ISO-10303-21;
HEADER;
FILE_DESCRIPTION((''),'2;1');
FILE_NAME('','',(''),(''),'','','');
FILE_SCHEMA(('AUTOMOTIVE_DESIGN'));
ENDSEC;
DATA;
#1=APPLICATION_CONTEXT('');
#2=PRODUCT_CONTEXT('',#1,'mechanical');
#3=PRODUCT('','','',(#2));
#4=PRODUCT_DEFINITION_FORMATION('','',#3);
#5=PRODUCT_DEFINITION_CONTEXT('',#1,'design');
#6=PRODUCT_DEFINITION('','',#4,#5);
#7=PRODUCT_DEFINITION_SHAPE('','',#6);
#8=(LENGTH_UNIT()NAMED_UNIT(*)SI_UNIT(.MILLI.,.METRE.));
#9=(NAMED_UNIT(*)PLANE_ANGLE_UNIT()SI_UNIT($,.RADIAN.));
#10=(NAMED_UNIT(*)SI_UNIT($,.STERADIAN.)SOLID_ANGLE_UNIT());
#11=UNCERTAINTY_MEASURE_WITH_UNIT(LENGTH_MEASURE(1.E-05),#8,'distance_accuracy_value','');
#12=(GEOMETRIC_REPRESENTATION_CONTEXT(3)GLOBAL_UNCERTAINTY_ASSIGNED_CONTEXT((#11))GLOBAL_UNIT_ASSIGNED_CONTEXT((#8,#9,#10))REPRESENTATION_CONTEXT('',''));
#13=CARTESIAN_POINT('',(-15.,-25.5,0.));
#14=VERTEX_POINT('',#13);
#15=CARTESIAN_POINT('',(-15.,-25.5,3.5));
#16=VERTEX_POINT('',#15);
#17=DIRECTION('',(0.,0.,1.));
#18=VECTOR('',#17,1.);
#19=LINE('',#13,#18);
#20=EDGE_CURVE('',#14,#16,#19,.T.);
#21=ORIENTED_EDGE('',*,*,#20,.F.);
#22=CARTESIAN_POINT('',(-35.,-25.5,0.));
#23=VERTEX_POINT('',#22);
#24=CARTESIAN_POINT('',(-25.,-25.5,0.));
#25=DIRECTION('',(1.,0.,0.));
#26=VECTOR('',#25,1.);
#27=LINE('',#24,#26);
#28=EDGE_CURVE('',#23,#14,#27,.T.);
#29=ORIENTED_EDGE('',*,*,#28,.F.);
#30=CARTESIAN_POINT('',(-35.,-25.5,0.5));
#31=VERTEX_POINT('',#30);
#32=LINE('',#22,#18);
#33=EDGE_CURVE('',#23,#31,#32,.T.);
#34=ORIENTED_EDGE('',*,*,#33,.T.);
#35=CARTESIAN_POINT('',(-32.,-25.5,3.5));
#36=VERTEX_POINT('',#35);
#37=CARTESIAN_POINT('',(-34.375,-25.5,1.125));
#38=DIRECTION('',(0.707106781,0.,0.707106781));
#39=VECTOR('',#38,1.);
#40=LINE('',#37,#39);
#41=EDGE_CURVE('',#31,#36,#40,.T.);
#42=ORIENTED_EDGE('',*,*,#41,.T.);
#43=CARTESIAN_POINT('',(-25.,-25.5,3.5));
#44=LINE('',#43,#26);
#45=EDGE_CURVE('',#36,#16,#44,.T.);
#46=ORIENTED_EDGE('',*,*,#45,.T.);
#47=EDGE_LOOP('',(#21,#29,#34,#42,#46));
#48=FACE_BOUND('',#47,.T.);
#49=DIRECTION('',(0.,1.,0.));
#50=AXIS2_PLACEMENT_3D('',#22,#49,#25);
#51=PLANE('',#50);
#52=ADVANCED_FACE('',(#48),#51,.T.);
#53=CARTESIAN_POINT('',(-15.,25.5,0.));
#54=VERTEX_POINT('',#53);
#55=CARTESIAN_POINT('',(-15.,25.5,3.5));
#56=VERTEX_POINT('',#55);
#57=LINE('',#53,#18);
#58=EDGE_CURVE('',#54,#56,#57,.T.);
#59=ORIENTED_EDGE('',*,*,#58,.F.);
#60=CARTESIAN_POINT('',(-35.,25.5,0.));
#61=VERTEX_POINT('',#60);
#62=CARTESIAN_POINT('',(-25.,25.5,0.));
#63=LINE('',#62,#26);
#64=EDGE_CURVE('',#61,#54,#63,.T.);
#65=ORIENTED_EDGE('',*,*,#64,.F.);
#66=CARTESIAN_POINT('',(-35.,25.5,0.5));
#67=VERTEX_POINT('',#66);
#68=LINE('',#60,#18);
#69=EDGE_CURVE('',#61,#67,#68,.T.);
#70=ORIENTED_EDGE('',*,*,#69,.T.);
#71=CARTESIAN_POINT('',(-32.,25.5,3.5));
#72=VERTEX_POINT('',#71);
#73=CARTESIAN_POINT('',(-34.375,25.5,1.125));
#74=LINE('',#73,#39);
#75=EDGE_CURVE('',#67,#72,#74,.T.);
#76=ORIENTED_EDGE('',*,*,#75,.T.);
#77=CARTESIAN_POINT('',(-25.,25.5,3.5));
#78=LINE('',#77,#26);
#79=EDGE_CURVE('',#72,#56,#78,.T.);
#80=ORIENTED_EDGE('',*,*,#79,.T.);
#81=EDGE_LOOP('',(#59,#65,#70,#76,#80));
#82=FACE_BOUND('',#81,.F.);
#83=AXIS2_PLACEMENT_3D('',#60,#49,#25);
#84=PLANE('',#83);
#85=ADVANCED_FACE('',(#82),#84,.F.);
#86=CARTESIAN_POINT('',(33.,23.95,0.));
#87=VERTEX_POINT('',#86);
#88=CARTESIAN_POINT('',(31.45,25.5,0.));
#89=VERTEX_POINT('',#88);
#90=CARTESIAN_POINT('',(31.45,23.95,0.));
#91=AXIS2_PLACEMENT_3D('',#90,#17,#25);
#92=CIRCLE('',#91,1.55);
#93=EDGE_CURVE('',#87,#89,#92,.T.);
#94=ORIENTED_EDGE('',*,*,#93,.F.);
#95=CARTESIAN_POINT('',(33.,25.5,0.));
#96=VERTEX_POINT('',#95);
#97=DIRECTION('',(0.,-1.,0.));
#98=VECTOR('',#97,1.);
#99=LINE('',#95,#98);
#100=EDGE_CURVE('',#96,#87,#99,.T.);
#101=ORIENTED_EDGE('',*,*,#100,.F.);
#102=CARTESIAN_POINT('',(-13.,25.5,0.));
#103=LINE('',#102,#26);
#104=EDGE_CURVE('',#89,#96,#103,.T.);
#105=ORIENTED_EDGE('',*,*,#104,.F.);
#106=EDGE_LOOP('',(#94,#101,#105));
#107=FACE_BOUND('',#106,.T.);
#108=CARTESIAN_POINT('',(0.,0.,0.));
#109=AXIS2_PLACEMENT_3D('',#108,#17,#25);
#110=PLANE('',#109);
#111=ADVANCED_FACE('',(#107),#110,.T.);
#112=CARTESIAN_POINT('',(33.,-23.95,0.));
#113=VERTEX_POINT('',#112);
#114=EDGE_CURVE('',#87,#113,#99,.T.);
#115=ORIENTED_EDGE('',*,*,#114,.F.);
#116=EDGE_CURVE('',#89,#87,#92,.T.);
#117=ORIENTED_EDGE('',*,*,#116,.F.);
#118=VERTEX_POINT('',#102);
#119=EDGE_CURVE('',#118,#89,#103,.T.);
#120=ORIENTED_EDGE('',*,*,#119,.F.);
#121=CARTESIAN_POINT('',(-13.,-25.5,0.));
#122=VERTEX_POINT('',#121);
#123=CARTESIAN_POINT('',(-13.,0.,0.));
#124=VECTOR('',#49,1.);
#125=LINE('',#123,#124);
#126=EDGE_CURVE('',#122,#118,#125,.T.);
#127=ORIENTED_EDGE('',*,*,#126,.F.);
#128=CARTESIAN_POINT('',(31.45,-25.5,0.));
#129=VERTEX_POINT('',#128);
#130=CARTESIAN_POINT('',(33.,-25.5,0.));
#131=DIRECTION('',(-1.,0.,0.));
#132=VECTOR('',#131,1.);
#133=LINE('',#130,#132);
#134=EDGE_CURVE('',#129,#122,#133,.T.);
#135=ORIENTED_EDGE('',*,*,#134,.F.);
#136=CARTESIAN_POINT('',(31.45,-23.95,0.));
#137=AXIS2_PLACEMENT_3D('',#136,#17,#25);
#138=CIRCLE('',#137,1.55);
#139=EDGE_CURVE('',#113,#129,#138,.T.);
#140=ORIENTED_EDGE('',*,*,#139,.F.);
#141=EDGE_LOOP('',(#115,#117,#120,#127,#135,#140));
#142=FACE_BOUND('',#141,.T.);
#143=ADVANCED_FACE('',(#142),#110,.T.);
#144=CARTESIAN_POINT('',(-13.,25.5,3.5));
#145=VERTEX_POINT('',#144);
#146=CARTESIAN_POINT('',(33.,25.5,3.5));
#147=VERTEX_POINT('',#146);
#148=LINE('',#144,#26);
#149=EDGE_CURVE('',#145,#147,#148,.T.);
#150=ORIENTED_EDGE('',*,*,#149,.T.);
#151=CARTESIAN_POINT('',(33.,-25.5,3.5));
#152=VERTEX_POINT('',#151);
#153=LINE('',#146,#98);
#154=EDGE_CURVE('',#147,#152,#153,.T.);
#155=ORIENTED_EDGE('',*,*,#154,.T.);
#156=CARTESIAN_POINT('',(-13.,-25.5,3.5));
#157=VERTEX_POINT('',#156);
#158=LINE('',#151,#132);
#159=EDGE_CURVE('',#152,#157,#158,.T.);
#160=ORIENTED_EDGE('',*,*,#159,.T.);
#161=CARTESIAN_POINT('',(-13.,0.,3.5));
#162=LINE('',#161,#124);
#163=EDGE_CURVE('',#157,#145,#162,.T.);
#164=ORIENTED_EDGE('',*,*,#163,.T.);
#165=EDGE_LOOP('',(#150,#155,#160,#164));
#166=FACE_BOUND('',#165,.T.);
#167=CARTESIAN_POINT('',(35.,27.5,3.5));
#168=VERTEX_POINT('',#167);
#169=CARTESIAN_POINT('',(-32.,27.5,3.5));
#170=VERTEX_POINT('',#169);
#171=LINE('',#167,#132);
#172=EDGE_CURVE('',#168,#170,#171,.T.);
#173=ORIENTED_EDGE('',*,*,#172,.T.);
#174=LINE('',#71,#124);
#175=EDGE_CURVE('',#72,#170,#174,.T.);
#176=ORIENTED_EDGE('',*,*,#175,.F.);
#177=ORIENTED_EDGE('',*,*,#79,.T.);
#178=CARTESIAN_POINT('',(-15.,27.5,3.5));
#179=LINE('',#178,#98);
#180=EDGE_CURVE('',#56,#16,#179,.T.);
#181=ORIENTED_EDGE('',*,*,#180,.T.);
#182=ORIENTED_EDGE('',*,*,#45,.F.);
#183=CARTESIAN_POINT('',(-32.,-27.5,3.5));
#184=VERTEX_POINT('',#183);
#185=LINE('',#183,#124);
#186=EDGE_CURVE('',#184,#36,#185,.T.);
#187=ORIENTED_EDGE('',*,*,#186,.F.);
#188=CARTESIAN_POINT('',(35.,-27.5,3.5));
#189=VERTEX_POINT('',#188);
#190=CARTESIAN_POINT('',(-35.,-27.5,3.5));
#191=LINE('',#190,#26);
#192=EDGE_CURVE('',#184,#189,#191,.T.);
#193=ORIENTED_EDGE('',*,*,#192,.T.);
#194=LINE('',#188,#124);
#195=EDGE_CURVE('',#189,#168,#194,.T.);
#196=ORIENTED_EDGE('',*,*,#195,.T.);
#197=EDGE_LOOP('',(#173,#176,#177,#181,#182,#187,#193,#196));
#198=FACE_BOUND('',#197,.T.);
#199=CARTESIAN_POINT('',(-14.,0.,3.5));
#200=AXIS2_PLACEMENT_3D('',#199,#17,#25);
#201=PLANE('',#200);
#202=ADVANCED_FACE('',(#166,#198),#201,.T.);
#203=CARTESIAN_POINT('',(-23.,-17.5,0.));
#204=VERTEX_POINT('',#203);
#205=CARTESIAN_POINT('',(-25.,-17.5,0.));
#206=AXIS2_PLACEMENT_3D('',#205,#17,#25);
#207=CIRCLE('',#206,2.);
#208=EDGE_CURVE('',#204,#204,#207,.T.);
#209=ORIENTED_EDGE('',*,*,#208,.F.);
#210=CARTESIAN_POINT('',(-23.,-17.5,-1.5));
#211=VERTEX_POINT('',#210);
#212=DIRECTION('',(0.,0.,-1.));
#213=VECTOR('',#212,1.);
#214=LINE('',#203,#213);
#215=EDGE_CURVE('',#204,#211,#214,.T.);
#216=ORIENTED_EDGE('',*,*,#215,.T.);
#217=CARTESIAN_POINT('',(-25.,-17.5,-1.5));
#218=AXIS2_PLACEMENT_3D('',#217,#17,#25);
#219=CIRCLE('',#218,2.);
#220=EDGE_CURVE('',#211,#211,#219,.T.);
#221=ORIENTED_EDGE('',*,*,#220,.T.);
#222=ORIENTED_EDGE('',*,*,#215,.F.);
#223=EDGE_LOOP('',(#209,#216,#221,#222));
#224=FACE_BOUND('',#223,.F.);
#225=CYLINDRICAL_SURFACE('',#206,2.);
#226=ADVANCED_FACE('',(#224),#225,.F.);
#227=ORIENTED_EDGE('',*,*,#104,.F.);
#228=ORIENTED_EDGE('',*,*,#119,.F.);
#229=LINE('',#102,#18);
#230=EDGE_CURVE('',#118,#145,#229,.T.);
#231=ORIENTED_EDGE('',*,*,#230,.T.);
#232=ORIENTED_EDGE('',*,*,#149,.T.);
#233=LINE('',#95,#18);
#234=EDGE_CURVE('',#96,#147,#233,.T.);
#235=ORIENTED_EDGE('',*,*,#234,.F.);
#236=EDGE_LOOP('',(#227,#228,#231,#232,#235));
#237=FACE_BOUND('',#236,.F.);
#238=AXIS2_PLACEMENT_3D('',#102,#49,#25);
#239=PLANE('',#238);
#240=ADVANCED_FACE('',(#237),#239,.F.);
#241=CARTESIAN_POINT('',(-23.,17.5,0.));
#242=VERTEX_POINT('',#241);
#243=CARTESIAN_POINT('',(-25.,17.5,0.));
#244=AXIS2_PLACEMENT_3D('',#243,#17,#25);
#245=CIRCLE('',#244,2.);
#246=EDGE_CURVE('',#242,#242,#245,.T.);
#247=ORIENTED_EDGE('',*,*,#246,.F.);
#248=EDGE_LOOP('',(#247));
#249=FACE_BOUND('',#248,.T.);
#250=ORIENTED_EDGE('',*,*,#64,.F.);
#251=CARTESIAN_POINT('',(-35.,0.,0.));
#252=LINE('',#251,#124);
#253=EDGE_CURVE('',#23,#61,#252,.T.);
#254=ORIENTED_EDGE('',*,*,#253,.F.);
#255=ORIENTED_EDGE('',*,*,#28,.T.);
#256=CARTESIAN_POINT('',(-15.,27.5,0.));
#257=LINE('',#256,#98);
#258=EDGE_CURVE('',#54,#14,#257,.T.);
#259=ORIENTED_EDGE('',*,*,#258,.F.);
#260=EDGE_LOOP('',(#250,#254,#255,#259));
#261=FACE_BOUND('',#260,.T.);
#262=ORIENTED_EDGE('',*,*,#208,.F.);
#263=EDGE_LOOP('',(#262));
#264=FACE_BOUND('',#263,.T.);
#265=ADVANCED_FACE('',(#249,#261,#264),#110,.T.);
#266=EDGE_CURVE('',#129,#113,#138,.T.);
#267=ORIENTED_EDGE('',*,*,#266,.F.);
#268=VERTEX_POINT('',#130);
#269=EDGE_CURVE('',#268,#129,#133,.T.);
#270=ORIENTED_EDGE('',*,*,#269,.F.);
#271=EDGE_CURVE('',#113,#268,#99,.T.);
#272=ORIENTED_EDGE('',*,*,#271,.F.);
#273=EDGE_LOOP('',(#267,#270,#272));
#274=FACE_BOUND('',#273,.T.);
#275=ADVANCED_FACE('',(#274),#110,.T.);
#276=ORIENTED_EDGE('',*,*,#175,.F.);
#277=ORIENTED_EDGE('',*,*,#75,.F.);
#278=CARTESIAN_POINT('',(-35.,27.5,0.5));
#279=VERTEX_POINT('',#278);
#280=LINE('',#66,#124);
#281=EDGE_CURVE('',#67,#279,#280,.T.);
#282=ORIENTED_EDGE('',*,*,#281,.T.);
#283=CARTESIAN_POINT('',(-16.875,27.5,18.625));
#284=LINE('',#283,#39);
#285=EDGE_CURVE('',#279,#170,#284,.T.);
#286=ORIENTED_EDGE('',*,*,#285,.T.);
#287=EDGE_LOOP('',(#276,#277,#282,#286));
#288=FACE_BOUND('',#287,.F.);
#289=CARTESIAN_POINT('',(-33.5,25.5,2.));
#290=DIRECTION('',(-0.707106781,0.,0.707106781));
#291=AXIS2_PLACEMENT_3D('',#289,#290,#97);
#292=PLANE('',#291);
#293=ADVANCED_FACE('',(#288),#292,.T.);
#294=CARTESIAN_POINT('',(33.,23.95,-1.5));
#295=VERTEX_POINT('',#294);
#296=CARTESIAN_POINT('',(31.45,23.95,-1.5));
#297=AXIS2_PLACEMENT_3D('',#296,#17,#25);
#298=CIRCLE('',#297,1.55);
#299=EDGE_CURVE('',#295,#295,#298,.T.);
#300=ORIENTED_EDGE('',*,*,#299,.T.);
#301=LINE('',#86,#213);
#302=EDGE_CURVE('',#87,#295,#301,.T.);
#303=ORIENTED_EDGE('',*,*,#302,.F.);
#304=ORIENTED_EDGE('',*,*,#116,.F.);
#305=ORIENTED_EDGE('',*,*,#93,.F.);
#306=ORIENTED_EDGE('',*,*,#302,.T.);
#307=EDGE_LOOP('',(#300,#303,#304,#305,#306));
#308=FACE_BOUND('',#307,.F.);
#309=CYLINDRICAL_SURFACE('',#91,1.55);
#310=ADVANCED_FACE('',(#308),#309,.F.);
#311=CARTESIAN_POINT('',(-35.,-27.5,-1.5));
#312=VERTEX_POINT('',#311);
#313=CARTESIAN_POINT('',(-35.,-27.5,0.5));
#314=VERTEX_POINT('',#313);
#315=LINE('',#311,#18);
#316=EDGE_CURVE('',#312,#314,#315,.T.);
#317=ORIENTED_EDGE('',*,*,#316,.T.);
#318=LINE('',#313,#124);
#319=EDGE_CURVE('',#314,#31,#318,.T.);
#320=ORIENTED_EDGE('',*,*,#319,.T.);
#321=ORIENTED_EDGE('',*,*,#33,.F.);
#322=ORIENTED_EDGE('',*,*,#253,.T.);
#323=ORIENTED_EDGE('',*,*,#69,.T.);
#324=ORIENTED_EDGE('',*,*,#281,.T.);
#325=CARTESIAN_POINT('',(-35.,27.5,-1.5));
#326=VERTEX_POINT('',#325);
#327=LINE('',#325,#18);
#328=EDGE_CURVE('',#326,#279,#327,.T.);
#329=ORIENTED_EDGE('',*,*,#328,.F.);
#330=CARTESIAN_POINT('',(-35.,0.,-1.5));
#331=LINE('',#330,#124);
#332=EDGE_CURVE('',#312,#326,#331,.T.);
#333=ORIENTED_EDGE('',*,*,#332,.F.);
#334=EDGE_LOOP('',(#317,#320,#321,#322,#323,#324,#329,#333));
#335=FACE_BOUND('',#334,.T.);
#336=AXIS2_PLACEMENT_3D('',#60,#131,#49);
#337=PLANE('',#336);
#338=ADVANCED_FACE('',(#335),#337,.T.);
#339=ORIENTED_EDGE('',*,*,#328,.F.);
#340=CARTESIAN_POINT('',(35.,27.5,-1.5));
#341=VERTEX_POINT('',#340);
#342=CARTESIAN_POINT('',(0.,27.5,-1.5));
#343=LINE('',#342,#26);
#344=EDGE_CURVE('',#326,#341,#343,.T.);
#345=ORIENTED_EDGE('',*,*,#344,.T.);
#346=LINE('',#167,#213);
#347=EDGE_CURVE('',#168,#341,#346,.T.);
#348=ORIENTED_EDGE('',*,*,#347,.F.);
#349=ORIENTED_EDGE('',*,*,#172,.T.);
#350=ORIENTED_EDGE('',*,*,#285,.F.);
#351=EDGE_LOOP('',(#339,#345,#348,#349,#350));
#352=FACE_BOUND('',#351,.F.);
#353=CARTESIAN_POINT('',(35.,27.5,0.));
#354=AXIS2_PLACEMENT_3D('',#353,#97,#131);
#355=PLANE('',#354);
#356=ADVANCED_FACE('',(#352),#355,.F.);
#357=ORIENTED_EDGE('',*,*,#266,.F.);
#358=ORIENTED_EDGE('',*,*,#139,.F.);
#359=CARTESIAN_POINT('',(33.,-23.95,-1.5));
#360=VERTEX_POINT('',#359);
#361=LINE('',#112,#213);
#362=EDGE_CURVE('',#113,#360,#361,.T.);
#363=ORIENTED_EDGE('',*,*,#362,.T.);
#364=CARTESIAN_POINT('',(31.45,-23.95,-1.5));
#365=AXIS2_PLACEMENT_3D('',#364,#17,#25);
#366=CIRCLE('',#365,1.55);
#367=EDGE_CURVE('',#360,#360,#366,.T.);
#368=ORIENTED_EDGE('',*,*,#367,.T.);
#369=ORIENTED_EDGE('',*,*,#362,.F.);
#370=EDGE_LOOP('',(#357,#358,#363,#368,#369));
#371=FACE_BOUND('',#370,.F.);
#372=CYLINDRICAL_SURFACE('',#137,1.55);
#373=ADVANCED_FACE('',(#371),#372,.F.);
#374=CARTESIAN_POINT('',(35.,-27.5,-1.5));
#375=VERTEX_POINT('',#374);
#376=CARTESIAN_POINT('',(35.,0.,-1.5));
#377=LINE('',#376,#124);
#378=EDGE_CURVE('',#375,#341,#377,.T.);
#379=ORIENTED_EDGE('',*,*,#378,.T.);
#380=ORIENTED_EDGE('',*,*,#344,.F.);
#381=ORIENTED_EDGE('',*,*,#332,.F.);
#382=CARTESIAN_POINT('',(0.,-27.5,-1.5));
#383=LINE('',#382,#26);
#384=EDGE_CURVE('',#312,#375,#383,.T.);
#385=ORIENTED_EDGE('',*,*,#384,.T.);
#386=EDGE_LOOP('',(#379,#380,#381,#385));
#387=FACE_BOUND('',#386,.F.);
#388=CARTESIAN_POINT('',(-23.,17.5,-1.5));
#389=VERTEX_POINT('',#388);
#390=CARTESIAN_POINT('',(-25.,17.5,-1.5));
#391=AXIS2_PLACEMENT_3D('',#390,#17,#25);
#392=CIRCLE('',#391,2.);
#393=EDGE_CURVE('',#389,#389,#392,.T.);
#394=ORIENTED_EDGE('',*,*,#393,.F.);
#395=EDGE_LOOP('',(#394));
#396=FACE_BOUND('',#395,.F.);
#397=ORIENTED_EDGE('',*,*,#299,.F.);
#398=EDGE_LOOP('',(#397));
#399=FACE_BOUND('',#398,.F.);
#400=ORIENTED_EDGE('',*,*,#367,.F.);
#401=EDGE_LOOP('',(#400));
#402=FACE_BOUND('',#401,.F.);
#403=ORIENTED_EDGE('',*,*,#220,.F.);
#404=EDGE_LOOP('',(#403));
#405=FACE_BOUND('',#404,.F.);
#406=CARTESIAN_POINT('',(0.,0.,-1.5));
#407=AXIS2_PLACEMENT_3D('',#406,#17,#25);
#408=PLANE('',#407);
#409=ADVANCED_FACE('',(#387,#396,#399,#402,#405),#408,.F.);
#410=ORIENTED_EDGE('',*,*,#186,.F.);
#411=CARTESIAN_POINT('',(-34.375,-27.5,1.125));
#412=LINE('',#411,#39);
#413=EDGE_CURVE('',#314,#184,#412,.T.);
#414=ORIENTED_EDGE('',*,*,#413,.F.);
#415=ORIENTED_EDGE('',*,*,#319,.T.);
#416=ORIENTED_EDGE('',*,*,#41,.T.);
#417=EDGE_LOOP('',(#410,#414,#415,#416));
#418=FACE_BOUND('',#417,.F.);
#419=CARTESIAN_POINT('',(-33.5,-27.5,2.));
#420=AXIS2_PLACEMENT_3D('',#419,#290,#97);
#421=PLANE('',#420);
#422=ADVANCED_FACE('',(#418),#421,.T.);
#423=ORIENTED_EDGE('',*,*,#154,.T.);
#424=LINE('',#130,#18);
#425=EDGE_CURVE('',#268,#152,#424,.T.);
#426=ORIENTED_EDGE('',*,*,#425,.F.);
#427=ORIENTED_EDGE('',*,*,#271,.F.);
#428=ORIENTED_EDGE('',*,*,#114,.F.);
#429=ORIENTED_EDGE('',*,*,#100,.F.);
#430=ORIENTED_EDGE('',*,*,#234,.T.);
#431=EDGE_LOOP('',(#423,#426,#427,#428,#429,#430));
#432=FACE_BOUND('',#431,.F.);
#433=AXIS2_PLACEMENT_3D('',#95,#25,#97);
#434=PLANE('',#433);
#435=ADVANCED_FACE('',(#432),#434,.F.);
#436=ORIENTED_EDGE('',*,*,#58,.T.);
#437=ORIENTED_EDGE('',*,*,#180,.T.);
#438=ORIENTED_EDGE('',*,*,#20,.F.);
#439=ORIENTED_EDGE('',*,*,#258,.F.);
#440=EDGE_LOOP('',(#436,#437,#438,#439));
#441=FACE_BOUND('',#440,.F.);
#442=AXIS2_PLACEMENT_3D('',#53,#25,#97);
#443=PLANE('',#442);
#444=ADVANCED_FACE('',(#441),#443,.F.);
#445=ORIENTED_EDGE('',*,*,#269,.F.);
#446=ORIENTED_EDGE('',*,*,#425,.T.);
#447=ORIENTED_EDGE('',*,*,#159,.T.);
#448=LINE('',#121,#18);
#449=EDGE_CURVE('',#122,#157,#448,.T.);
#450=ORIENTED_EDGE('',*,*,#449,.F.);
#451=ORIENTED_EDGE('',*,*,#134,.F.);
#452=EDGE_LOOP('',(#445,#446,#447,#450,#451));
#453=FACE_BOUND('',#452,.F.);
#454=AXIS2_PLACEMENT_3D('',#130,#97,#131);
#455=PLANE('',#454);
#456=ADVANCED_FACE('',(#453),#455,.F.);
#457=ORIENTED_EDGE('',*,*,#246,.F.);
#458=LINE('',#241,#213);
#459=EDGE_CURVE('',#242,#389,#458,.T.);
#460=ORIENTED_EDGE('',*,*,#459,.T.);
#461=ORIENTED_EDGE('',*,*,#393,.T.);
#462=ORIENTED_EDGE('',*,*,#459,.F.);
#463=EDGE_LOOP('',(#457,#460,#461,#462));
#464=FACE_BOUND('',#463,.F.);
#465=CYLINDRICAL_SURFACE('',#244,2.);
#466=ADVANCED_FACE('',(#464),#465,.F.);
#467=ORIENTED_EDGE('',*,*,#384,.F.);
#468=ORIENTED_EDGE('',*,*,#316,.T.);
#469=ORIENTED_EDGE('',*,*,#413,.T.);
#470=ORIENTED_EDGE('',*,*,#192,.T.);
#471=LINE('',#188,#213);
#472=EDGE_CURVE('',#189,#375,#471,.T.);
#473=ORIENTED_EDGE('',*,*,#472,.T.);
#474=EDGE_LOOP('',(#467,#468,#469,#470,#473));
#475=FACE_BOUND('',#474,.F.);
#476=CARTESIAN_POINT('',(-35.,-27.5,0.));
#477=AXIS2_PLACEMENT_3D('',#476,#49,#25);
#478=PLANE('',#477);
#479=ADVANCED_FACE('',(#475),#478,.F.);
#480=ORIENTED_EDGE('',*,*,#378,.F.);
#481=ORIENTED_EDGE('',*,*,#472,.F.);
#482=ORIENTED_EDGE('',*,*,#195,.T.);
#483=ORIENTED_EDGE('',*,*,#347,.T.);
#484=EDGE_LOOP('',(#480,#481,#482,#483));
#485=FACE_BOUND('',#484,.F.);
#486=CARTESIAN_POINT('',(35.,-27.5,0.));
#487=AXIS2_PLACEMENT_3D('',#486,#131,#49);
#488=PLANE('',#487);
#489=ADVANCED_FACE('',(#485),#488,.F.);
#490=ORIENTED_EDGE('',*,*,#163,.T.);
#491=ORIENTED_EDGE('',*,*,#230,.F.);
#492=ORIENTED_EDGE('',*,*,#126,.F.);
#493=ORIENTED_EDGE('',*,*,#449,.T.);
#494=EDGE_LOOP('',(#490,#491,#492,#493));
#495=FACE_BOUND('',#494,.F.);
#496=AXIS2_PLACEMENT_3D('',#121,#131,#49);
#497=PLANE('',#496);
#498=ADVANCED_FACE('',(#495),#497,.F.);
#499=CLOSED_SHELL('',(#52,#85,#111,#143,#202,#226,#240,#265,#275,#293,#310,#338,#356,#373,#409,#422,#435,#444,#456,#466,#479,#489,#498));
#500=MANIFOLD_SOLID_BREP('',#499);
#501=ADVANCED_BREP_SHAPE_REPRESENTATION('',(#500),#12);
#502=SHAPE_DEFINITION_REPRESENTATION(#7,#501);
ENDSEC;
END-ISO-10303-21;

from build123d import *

# Parameters (mm, degrees)
F0_W     = 70
F0_H     = 55
F0_R     = 2
F0_R_2   = 1.55
F1_DEPTH = 1.5
F2_W     = 2
F2_H     = 51
F2_H_2   = 2
F2_W_2   = 20
F3_DEPTH = 3.5
F4_SIZE  = 3


with BuildPart() as f1:
    # F0 (on Top) → F1 (new body)
    with BuildSketch(Plane.XY):
        Rectangle(F0_W, F0_H)
        with Locations((-25, -17.5)):
            Circle(F0_R, mode=Mode.SUBTRACT)
        with Locations((31.45, -23.95)):
            Circle(F0_R_2, mode=Mode.SUBTRACT)
        with Locations((-25, 17.5)):
            Circle(F0_R, mode=Mode.SUBTRACT)
        with Locations((31.45, 23.95)):
            Circle(F0_R_2, mode=Mode.SUBTRACT)
    extrude(amount=-F1_DEPTH)

    # F2 (on face) → F3 (join)
    with BuildSketch(Plane.XY):
        with Locations((-14, 0)):
            Rectangle(F2_W, F2_H)
        Polygon((31.45, -25.5), (-13, -25.5), (-13, -27.5), (35, -27.5), (35, 27.5), (-13, 27.5), (-13, 25.5), (31.45, 25.5), (33, 25.5), (33, 23.95), (33, -23.95), (33, -25.5), align=None)
        with Locations((-14, -26.5)):
            Rectangle(F2_W, F2_H_2)
        with Locations((-25, -26.5)):
            Rectangle(F2_W_2, F2_H_2)
        with Locations((-14, 26.5)):
            Rectangle(F2_W, F2_H_2)
        with Locations((-25, 26.5)):
            Rectangle(F2_W_2, F2_H_2)
    extrude(amount=F3_DEPTH)

    # F4
    f4_edges = [f1.edges().sort_by_distance(p)[0] for p in [
        (-35, 26.5, 3.5),
        (-35, -26.5, 3.5),
    ]]
    chamfer(f4_edges, length=F4_SIZE)


solid = f1.part
